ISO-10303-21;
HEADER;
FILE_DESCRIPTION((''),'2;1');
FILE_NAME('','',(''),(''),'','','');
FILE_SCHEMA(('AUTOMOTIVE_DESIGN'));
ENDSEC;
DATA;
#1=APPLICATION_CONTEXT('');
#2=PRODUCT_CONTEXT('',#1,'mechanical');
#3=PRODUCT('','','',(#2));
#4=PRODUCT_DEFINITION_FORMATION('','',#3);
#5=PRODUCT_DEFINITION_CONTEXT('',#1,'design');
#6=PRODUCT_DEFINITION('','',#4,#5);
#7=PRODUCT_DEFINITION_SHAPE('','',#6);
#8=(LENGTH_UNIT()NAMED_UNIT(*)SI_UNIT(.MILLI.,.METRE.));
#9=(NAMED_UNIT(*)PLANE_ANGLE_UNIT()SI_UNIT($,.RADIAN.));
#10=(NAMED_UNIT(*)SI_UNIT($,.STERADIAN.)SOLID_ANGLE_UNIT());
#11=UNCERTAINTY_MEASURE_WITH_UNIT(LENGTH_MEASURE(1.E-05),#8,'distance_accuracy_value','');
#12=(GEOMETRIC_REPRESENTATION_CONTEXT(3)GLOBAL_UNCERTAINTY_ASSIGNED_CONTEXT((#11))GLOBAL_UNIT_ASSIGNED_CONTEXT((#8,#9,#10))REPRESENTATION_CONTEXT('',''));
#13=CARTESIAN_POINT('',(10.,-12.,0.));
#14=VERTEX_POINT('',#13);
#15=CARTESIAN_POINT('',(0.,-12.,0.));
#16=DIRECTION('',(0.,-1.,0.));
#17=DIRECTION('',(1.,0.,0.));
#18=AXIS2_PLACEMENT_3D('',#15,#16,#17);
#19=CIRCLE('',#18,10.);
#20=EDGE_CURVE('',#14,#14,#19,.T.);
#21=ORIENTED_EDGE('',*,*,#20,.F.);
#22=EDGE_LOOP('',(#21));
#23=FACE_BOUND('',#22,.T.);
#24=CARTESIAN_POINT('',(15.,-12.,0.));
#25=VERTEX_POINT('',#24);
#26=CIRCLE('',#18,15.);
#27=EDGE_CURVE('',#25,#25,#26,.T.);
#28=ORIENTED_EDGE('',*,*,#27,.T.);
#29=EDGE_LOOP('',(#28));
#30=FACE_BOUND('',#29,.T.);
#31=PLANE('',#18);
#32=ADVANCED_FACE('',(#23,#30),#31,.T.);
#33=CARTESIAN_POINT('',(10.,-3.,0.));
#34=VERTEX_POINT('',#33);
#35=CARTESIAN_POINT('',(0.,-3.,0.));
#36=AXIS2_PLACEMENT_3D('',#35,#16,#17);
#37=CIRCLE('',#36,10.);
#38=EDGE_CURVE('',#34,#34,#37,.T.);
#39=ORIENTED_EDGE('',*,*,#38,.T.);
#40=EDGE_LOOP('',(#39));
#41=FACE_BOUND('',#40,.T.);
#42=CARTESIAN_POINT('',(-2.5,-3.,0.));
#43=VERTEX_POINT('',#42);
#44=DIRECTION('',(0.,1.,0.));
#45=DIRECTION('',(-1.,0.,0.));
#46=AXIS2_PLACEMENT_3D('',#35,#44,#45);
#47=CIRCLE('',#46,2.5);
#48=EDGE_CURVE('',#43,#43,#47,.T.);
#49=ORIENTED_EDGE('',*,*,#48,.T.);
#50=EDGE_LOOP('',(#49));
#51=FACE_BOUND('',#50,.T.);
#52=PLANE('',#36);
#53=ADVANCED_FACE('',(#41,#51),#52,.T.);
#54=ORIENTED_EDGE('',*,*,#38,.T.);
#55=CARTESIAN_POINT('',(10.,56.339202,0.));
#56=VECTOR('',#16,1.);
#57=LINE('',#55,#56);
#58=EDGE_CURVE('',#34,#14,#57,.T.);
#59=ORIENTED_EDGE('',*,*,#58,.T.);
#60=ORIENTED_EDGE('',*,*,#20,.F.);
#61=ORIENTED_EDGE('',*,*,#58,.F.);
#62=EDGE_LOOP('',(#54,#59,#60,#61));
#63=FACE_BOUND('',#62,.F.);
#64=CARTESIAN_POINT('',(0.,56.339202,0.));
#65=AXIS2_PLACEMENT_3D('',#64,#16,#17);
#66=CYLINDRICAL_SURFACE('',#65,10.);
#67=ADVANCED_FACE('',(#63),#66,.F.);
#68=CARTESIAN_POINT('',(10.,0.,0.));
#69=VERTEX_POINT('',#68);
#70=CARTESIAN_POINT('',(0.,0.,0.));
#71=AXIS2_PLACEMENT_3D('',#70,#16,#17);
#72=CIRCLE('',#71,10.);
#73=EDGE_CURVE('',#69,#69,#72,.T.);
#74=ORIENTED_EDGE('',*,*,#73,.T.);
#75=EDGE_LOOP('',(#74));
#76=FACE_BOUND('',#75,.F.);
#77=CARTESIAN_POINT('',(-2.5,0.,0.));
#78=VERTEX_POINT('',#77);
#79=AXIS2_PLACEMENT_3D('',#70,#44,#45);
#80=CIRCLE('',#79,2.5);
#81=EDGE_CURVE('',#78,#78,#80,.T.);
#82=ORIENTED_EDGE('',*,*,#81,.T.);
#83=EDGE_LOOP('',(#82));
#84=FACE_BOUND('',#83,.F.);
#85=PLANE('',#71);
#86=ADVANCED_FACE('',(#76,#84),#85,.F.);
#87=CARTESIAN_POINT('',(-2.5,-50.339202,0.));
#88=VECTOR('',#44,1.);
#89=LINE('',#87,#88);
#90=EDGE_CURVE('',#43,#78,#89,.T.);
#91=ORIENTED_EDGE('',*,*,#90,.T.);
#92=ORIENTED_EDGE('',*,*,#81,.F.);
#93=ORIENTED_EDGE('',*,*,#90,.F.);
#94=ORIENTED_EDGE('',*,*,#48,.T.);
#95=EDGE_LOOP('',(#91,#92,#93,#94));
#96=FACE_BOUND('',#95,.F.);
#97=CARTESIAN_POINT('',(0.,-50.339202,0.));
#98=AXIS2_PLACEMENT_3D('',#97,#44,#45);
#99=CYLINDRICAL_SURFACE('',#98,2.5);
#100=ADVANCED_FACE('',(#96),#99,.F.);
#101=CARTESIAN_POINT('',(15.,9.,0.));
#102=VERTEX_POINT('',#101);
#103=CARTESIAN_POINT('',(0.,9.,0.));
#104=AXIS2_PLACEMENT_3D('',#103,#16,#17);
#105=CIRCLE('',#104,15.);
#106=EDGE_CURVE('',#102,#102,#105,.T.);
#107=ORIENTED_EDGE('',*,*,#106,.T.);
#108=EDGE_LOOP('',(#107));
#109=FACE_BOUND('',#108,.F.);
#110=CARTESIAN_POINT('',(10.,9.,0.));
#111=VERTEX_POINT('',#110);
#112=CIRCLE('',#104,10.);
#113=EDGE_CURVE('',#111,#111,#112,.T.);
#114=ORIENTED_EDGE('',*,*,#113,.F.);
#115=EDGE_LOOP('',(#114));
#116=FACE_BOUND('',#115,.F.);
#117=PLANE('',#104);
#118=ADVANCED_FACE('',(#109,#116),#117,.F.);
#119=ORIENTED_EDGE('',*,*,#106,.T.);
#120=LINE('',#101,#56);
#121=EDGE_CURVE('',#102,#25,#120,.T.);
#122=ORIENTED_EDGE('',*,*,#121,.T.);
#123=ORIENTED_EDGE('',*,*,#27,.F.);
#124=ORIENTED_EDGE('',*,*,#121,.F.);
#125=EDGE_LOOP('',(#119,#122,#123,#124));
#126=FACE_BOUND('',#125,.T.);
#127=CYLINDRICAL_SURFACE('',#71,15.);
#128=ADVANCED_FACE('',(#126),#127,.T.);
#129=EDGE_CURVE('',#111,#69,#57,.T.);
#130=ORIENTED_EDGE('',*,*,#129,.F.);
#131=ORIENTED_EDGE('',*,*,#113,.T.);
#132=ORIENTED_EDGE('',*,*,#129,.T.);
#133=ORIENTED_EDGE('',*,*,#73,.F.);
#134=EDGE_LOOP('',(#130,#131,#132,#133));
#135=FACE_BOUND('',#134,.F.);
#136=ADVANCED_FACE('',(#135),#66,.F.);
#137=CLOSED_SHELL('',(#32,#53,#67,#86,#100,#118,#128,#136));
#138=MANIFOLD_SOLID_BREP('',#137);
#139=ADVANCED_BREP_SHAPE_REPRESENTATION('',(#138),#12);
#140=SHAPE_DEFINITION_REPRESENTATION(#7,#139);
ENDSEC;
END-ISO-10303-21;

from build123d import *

# Parameters (mm, degrees)
F0_R          = 15
F1_DEPTH      = 12
F1_DEPTH_BACK = 9
F3_D          = 20
F4_R          = 13.574911
F5_DEPTH      = 3
F7_D          = 5


with BuildPart() as f1:
    # F0 (on Front) → F1 (new body, two sides)
    with BuildSketch(Plane.XZ) as f1_sk:
        Circle(F0_R)
    extrude(amount=F1_DEPTH)
    extrude(f1_sk.sketch, amount=-F1_DEPTH_BACK)

    # F3 (through all)
    with Locations(Plane(origin=(0, 9, 0), x_dir=(-1, 0, 0), z_dir=(0, 1, 0))):
        with Locations((0, 0)):
            Hole(F3_D / 2)

    # F4 (on Front) → F5 (join)
    with BuildSketch(Plane.XZ):
        Circle(F4_R)
    extrude(amount=F5_DEPTH)

    # F7 (through all)
    with Locations(Plane.XZ.offset(3)):
        with Locations((0, 0)):
            Hole(F7_D / 2)


solid = f1.part
